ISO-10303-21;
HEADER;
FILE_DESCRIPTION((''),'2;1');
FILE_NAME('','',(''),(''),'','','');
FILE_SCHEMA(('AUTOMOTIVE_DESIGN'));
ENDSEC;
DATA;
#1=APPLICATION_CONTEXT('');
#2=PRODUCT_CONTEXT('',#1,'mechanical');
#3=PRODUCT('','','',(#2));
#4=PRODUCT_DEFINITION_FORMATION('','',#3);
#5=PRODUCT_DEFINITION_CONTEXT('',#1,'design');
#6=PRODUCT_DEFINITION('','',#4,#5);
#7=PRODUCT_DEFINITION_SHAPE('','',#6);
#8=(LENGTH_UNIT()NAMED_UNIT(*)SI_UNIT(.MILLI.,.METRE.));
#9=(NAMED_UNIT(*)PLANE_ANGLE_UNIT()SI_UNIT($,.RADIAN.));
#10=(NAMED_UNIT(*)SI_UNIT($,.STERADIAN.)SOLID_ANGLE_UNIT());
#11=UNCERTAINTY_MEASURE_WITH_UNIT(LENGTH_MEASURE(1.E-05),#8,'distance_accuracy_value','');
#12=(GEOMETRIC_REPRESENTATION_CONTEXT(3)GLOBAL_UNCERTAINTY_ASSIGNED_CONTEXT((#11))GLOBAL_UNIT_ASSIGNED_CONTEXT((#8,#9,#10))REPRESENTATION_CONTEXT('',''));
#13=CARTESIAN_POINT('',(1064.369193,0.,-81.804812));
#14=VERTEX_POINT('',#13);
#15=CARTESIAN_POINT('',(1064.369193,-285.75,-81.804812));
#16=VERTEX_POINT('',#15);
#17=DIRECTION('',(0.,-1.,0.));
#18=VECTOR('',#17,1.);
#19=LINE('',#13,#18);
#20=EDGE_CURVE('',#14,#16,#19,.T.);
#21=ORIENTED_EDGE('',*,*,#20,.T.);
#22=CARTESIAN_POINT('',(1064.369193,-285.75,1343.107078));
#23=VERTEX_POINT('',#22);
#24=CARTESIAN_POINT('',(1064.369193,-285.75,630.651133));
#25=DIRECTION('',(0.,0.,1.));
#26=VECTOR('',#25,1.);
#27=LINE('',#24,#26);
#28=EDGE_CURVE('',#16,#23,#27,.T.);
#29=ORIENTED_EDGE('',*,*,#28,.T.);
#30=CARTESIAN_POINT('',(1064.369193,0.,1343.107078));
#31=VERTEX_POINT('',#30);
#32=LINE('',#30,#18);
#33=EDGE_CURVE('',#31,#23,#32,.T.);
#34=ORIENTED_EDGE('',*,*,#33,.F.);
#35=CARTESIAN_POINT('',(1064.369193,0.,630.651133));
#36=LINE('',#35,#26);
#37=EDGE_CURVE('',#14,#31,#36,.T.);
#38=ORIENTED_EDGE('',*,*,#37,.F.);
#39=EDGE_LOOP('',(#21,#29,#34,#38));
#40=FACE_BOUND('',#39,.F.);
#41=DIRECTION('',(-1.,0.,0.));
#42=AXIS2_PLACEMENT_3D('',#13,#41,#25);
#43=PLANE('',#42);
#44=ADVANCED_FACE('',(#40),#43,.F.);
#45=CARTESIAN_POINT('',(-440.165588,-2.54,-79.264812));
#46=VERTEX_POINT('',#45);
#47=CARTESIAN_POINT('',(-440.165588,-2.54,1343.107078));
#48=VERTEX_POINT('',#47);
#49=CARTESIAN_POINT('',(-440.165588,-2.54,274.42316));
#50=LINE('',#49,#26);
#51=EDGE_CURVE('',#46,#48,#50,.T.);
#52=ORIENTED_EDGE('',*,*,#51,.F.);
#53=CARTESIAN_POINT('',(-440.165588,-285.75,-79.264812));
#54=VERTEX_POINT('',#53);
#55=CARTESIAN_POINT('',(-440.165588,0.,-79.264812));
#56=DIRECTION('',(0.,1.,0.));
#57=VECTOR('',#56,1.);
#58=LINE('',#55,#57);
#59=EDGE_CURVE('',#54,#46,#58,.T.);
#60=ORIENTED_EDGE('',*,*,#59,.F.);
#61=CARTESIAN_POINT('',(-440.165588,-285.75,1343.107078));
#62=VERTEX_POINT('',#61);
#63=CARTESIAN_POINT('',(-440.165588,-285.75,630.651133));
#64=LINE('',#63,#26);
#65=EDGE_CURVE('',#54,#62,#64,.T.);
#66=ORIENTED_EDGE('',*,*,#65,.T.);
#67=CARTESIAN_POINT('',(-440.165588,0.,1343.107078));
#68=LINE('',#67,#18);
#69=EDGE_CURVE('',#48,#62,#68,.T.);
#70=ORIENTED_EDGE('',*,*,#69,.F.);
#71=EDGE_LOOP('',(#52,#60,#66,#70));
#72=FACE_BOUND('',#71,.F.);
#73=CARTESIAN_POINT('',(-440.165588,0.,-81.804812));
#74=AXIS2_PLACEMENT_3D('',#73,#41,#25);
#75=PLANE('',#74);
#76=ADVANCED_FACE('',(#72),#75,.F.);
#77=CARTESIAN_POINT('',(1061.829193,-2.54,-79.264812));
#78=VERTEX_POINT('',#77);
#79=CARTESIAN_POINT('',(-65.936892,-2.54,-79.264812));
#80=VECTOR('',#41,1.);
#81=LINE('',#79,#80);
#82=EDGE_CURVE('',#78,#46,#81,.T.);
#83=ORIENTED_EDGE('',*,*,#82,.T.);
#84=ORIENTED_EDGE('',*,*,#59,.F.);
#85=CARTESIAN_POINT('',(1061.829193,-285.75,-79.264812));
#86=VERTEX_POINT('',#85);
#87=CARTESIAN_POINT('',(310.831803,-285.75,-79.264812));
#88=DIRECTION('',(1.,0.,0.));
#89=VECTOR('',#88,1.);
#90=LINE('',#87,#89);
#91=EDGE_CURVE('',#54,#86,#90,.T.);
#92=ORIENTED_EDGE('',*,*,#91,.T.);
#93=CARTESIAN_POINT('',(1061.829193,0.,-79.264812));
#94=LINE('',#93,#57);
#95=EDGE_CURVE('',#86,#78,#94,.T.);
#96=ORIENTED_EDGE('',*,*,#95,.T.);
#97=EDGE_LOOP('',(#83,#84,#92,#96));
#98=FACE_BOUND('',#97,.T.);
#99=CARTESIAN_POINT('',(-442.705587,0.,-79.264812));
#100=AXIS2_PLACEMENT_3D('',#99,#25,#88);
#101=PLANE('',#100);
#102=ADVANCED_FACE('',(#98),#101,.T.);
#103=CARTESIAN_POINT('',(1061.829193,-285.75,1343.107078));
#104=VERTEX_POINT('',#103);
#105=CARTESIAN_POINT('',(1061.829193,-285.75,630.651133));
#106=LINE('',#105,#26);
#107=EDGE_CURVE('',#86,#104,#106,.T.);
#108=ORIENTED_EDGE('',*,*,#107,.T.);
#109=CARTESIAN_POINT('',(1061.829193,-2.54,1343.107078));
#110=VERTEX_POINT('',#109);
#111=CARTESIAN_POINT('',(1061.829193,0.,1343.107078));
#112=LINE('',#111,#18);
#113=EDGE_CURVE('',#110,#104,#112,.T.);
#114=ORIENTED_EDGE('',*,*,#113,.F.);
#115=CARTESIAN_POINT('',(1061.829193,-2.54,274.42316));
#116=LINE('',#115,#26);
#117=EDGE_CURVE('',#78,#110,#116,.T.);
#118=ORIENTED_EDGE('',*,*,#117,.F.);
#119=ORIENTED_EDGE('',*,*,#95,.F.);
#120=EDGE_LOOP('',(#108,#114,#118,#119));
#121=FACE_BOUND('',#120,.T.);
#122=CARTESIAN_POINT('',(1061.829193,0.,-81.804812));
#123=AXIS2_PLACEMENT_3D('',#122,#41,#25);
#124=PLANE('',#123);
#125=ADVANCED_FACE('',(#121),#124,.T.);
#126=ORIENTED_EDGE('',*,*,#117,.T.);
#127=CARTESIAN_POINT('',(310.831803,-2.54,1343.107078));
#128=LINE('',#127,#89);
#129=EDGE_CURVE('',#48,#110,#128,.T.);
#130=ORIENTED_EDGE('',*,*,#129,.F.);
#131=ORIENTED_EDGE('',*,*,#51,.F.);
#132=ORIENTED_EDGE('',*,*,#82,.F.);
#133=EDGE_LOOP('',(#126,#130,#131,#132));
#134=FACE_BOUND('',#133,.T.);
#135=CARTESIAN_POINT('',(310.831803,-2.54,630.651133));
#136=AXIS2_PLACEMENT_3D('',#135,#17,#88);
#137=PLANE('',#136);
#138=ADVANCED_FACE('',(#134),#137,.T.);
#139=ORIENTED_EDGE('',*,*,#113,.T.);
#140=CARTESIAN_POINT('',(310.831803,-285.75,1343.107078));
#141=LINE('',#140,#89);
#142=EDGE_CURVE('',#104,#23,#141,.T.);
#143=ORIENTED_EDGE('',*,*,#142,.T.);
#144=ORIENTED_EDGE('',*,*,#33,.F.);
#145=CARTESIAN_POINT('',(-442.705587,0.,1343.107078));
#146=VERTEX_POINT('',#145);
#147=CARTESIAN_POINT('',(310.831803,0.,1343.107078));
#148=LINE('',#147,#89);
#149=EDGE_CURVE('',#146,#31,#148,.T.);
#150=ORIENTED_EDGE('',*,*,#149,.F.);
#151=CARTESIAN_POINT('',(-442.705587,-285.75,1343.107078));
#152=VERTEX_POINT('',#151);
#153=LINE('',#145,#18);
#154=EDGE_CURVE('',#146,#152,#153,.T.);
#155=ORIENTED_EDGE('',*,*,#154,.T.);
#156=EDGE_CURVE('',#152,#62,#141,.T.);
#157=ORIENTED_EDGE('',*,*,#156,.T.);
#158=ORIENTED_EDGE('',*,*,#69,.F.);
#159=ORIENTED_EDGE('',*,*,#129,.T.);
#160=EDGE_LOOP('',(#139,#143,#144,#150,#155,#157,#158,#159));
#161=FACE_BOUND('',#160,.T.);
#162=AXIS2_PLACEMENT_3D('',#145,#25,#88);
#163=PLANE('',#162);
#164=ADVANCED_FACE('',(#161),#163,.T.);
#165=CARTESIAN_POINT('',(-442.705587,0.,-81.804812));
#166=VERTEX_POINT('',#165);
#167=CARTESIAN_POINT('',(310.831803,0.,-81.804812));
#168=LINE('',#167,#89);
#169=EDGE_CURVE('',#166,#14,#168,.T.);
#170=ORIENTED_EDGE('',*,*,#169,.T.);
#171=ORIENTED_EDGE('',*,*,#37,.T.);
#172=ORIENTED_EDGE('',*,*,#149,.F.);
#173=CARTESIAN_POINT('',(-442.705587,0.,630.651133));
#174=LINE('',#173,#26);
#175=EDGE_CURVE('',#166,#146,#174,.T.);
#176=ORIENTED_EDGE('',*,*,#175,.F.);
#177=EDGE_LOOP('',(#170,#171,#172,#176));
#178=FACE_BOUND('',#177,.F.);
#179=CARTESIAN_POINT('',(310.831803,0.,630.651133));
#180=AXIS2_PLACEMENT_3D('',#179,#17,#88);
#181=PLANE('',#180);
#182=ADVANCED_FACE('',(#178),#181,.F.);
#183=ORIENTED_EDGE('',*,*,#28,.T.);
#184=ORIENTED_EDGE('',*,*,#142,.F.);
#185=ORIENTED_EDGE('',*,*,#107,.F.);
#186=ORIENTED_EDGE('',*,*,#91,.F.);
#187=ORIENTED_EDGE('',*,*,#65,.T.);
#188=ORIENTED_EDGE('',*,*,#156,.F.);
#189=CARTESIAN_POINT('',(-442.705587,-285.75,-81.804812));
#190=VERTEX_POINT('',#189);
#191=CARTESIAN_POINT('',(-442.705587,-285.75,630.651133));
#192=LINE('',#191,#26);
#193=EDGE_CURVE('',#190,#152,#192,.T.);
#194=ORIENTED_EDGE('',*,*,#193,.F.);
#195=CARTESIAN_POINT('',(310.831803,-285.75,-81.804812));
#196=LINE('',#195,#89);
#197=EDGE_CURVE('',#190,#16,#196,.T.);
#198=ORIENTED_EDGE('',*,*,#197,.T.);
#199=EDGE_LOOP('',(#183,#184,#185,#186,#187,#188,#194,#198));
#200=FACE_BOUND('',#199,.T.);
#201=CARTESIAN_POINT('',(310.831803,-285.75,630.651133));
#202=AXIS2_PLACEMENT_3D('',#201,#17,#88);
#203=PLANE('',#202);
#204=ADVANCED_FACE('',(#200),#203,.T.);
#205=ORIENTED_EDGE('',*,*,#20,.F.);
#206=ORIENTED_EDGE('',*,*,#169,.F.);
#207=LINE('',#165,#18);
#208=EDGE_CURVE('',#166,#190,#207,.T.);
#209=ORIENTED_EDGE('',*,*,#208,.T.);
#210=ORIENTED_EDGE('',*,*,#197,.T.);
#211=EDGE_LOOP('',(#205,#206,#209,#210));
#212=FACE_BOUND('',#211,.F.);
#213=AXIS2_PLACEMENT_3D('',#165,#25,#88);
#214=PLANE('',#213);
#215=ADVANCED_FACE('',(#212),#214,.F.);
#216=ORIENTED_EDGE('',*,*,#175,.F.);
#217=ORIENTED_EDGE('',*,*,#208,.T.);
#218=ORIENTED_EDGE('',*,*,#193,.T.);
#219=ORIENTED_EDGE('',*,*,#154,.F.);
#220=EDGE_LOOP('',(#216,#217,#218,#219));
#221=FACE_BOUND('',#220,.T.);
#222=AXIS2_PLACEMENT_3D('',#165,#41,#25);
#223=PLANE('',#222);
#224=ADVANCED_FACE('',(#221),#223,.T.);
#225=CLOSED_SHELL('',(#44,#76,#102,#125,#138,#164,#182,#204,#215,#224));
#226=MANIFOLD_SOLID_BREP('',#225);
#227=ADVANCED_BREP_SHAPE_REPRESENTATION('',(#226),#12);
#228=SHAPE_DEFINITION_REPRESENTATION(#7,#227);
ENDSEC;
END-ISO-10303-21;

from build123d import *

# Parameters (mm, degrees)
F0_W     = 1507.074781
F0_H     = 1424.91189
F1_DEPTH = 285.75
F2_T     = -2.54


with BuildPart() as f1:
    # F0 (on Front) → F1 (new body)
    with BuildSketch(Plane.XZ):
        with Locations((310.831803, 630.651133)):
            Rectangle(F0_W, F0_H)
    extrude(amount=F1_DEPTH)

    # F2
    f2_openings = [f1.faces().sort_by_distance(p)[0] for p in [
        (310.831804, -285.75, 630.651133),
        (310.831804, -142.875, 1343.107078),
    ]]
    offset(amount=F2_T, openings=f2_openings)


solid = f1.part
